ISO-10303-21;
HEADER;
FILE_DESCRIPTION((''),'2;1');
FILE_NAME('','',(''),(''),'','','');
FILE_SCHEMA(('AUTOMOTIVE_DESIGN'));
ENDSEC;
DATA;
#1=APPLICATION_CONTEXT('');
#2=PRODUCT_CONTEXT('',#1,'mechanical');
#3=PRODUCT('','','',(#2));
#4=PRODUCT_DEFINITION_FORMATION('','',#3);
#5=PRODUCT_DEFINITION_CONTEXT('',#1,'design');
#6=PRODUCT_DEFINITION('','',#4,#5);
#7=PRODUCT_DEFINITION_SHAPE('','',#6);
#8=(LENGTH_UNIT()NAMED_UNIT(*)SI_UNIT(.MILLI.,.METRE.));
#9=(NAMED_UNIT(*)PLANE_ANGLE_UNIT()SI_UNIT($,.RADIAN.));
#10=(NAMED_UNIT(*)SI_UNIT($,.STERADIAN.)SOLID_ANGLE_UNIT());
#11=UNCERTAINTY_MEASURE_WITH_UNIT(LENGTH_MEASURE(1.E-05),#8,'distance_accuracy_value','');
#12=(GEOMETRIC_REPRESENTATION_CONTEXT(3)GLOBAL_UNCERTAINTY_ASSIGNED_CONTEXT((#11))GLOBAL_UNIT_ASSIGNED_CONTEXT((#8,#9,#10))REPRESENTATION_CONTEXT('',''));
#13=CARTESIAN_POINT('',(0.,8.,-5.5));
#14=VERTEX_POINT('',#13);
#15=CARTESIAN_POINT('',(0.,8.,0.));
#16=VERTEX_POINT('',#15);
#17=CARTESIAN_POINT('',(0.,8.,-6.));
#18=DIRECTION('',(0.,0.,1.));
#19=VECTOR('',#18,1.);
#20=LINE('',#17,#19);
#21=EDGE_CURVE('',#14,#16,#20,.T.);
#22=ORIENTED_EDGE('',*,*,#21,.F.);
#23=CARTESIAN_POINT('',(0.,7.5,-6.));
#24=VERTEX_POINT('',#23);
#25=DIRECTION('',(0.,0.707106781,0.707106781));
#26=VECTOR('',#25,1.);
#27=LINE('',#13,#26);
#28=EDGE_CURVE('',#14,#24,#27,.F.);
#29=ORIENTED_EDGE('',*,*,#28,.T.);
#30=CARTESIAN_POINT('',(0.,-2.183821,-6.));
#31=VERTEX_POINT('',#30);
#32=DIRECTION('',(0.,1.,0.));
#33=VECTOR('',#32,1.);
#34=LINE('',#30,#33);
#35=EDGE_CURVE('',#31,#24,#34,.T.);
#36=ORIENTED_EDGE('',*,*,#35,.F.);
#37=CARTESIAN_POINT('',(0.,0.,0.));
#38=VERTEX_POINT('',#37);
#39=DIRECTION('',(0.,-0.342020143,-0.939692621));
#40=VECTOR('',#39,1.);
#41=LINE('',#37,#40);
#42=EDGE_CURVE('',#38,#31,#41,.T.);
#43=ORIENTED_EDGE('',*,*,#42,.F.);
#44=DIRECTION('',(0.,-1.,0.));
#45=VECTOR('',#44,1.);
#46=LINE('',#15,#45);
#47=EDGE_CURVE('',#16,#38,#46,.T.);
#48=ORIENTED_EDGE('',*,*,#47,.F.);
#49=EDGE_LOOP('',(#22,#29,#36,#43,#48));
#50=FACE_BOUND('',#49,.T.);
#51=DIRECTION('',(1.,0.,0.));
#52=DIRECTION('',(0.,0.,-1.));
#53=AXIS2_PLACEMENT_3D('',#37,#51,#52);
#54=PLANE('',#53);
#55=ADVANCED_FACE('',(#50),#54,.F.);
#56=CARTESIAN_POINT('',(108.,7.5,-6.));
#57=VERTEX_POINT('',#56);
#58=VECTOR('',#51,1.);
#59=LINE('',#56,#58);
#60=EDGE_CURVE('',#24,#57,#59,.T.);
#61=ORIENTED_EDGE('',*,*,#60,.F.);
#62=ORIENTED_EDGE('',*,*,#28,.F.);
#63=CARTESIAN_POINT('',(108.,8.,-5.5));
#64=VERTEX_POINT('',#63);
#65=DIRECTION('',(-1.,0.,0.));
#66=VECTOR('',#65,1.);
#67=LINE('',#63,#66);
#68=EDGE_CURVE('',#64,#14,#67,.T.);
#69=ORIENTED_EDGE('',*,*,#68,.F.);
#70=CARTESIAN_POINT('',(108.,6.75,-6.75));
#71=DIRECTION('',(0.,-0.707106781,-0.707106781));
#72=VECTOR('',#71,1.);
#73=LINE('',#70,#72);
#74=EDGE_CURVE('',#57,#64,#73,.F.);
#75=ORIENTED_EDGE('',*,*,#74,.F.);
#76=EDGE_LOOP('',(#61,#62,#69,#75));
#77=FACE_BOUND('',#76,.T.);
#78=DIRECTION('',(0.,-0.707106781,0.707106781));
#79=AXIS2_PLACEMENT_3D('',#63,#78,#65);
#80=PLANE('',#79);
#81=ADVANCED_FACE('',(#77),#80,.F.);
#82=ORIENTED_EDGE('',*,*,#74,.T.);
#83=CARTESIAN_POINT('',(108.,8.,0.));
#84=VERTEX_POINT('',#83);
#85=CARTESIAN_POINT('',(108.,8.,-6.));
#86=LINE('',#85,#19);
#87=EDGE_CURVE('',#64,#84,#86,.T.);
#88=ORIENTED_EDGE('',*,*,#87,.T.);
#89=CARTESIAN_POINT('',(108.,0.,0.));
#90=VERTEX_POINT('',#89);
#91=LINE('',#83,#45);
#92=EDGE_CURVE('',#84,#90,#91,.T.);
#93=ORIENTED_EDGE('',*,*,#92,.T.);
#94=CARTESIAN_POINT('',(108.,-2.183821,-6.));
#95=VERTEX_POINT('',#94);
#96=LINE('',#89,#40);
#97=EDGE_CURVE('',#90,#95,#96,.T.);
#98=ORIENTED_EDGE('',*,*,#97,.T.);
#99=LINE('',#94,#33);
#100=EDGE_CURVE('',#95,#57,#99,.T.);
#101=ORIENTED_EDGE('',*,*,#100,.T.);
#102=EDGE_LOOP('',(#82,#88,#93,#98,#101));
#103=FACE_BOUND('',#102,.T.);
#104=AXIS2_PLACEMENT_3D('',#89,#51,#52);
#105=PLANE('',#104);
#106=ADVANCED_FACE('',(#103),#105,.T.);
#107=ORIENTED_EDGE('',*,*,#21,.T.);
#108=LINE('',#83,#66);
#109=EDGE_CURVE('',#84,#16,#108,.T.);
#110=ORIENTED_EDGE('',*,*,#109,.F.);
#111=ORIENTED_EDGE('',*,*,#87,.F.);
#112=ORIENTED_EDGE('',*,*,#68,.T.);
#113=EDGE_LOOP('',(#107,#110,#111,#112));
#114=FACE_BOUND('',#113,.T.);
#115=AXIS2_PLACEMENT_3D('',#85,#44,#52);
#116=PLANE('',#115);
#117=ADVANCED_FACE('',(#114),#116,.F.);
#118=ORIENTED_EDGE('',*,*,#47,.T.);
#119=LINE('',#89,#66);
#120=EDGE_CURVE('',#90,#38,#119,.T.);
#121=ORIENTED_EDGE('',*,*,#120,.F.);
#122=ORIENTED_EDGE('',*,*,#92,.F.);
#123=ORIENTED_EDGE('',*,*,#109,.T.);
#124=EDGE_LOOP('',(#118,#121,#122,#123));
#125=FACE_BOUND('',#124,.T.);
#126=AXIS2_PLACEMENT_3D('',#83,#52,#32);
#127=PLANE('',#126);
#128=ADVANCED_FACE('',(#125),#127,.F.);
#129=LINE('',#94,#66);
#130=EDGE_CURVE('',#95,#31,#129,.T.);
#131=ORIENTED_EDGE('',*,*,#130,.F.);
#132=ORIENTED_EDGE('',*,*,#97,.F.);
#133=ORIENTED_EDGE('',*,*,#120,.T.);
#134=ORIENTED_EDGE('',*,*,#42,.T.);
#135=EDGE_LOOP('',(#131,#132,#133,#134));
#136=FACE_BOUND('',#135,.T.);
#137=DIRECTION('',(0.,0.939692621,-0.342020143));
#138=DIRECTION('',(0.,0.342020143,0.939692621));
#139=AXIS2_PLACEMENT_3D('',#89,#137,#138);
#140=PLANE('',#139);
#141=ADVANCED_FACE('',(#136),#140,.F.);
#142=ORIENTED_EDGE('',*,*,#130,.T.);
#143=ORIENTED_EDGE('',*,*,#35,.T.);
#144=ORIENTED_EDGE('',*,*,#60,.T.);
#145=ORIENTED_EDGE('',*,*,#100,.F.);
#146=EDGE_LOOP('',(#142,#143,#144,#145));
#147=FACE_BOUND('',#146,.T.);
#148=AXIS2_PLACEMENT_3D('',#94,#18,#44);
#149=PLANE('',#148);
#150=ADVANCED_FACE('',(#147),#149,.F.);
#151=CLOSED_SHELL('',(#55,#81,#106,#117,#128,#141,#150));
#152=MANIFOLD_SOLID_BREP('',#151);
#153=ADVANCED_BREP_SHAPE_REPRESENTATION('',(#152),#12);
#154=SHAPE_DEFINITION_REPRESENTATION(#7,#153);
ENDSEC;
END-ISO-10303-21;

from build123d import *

# Parameters (mm, degrees)
EXTRUDE_1_DEPTH = 108
CHAMFER_1_SIZE  = 0.5


with BuildPart() as part:
    # 草图1 → 凸台-拉伸1 (new body)
    with BuildSketch(Plane(origin=(0, 0, 0), x_dir=(0, 0, -1), z_dir=(1, 0, 0))):
        Polygon((0, 8), (0, 0), (6, -2.183821406), (6, 8), align=None)
    extrude(amount=EXTRUDE_1_DEPTH)

    # 倒角1
    chamfer_1_edges = [part.edges().sort_by_distance(p)[0] for p in [
        (54, 8, -6),
    ]]
    chamfer(chamfer_1_edges, length=CHAMFER_1_SIZE)


solid = part.part
